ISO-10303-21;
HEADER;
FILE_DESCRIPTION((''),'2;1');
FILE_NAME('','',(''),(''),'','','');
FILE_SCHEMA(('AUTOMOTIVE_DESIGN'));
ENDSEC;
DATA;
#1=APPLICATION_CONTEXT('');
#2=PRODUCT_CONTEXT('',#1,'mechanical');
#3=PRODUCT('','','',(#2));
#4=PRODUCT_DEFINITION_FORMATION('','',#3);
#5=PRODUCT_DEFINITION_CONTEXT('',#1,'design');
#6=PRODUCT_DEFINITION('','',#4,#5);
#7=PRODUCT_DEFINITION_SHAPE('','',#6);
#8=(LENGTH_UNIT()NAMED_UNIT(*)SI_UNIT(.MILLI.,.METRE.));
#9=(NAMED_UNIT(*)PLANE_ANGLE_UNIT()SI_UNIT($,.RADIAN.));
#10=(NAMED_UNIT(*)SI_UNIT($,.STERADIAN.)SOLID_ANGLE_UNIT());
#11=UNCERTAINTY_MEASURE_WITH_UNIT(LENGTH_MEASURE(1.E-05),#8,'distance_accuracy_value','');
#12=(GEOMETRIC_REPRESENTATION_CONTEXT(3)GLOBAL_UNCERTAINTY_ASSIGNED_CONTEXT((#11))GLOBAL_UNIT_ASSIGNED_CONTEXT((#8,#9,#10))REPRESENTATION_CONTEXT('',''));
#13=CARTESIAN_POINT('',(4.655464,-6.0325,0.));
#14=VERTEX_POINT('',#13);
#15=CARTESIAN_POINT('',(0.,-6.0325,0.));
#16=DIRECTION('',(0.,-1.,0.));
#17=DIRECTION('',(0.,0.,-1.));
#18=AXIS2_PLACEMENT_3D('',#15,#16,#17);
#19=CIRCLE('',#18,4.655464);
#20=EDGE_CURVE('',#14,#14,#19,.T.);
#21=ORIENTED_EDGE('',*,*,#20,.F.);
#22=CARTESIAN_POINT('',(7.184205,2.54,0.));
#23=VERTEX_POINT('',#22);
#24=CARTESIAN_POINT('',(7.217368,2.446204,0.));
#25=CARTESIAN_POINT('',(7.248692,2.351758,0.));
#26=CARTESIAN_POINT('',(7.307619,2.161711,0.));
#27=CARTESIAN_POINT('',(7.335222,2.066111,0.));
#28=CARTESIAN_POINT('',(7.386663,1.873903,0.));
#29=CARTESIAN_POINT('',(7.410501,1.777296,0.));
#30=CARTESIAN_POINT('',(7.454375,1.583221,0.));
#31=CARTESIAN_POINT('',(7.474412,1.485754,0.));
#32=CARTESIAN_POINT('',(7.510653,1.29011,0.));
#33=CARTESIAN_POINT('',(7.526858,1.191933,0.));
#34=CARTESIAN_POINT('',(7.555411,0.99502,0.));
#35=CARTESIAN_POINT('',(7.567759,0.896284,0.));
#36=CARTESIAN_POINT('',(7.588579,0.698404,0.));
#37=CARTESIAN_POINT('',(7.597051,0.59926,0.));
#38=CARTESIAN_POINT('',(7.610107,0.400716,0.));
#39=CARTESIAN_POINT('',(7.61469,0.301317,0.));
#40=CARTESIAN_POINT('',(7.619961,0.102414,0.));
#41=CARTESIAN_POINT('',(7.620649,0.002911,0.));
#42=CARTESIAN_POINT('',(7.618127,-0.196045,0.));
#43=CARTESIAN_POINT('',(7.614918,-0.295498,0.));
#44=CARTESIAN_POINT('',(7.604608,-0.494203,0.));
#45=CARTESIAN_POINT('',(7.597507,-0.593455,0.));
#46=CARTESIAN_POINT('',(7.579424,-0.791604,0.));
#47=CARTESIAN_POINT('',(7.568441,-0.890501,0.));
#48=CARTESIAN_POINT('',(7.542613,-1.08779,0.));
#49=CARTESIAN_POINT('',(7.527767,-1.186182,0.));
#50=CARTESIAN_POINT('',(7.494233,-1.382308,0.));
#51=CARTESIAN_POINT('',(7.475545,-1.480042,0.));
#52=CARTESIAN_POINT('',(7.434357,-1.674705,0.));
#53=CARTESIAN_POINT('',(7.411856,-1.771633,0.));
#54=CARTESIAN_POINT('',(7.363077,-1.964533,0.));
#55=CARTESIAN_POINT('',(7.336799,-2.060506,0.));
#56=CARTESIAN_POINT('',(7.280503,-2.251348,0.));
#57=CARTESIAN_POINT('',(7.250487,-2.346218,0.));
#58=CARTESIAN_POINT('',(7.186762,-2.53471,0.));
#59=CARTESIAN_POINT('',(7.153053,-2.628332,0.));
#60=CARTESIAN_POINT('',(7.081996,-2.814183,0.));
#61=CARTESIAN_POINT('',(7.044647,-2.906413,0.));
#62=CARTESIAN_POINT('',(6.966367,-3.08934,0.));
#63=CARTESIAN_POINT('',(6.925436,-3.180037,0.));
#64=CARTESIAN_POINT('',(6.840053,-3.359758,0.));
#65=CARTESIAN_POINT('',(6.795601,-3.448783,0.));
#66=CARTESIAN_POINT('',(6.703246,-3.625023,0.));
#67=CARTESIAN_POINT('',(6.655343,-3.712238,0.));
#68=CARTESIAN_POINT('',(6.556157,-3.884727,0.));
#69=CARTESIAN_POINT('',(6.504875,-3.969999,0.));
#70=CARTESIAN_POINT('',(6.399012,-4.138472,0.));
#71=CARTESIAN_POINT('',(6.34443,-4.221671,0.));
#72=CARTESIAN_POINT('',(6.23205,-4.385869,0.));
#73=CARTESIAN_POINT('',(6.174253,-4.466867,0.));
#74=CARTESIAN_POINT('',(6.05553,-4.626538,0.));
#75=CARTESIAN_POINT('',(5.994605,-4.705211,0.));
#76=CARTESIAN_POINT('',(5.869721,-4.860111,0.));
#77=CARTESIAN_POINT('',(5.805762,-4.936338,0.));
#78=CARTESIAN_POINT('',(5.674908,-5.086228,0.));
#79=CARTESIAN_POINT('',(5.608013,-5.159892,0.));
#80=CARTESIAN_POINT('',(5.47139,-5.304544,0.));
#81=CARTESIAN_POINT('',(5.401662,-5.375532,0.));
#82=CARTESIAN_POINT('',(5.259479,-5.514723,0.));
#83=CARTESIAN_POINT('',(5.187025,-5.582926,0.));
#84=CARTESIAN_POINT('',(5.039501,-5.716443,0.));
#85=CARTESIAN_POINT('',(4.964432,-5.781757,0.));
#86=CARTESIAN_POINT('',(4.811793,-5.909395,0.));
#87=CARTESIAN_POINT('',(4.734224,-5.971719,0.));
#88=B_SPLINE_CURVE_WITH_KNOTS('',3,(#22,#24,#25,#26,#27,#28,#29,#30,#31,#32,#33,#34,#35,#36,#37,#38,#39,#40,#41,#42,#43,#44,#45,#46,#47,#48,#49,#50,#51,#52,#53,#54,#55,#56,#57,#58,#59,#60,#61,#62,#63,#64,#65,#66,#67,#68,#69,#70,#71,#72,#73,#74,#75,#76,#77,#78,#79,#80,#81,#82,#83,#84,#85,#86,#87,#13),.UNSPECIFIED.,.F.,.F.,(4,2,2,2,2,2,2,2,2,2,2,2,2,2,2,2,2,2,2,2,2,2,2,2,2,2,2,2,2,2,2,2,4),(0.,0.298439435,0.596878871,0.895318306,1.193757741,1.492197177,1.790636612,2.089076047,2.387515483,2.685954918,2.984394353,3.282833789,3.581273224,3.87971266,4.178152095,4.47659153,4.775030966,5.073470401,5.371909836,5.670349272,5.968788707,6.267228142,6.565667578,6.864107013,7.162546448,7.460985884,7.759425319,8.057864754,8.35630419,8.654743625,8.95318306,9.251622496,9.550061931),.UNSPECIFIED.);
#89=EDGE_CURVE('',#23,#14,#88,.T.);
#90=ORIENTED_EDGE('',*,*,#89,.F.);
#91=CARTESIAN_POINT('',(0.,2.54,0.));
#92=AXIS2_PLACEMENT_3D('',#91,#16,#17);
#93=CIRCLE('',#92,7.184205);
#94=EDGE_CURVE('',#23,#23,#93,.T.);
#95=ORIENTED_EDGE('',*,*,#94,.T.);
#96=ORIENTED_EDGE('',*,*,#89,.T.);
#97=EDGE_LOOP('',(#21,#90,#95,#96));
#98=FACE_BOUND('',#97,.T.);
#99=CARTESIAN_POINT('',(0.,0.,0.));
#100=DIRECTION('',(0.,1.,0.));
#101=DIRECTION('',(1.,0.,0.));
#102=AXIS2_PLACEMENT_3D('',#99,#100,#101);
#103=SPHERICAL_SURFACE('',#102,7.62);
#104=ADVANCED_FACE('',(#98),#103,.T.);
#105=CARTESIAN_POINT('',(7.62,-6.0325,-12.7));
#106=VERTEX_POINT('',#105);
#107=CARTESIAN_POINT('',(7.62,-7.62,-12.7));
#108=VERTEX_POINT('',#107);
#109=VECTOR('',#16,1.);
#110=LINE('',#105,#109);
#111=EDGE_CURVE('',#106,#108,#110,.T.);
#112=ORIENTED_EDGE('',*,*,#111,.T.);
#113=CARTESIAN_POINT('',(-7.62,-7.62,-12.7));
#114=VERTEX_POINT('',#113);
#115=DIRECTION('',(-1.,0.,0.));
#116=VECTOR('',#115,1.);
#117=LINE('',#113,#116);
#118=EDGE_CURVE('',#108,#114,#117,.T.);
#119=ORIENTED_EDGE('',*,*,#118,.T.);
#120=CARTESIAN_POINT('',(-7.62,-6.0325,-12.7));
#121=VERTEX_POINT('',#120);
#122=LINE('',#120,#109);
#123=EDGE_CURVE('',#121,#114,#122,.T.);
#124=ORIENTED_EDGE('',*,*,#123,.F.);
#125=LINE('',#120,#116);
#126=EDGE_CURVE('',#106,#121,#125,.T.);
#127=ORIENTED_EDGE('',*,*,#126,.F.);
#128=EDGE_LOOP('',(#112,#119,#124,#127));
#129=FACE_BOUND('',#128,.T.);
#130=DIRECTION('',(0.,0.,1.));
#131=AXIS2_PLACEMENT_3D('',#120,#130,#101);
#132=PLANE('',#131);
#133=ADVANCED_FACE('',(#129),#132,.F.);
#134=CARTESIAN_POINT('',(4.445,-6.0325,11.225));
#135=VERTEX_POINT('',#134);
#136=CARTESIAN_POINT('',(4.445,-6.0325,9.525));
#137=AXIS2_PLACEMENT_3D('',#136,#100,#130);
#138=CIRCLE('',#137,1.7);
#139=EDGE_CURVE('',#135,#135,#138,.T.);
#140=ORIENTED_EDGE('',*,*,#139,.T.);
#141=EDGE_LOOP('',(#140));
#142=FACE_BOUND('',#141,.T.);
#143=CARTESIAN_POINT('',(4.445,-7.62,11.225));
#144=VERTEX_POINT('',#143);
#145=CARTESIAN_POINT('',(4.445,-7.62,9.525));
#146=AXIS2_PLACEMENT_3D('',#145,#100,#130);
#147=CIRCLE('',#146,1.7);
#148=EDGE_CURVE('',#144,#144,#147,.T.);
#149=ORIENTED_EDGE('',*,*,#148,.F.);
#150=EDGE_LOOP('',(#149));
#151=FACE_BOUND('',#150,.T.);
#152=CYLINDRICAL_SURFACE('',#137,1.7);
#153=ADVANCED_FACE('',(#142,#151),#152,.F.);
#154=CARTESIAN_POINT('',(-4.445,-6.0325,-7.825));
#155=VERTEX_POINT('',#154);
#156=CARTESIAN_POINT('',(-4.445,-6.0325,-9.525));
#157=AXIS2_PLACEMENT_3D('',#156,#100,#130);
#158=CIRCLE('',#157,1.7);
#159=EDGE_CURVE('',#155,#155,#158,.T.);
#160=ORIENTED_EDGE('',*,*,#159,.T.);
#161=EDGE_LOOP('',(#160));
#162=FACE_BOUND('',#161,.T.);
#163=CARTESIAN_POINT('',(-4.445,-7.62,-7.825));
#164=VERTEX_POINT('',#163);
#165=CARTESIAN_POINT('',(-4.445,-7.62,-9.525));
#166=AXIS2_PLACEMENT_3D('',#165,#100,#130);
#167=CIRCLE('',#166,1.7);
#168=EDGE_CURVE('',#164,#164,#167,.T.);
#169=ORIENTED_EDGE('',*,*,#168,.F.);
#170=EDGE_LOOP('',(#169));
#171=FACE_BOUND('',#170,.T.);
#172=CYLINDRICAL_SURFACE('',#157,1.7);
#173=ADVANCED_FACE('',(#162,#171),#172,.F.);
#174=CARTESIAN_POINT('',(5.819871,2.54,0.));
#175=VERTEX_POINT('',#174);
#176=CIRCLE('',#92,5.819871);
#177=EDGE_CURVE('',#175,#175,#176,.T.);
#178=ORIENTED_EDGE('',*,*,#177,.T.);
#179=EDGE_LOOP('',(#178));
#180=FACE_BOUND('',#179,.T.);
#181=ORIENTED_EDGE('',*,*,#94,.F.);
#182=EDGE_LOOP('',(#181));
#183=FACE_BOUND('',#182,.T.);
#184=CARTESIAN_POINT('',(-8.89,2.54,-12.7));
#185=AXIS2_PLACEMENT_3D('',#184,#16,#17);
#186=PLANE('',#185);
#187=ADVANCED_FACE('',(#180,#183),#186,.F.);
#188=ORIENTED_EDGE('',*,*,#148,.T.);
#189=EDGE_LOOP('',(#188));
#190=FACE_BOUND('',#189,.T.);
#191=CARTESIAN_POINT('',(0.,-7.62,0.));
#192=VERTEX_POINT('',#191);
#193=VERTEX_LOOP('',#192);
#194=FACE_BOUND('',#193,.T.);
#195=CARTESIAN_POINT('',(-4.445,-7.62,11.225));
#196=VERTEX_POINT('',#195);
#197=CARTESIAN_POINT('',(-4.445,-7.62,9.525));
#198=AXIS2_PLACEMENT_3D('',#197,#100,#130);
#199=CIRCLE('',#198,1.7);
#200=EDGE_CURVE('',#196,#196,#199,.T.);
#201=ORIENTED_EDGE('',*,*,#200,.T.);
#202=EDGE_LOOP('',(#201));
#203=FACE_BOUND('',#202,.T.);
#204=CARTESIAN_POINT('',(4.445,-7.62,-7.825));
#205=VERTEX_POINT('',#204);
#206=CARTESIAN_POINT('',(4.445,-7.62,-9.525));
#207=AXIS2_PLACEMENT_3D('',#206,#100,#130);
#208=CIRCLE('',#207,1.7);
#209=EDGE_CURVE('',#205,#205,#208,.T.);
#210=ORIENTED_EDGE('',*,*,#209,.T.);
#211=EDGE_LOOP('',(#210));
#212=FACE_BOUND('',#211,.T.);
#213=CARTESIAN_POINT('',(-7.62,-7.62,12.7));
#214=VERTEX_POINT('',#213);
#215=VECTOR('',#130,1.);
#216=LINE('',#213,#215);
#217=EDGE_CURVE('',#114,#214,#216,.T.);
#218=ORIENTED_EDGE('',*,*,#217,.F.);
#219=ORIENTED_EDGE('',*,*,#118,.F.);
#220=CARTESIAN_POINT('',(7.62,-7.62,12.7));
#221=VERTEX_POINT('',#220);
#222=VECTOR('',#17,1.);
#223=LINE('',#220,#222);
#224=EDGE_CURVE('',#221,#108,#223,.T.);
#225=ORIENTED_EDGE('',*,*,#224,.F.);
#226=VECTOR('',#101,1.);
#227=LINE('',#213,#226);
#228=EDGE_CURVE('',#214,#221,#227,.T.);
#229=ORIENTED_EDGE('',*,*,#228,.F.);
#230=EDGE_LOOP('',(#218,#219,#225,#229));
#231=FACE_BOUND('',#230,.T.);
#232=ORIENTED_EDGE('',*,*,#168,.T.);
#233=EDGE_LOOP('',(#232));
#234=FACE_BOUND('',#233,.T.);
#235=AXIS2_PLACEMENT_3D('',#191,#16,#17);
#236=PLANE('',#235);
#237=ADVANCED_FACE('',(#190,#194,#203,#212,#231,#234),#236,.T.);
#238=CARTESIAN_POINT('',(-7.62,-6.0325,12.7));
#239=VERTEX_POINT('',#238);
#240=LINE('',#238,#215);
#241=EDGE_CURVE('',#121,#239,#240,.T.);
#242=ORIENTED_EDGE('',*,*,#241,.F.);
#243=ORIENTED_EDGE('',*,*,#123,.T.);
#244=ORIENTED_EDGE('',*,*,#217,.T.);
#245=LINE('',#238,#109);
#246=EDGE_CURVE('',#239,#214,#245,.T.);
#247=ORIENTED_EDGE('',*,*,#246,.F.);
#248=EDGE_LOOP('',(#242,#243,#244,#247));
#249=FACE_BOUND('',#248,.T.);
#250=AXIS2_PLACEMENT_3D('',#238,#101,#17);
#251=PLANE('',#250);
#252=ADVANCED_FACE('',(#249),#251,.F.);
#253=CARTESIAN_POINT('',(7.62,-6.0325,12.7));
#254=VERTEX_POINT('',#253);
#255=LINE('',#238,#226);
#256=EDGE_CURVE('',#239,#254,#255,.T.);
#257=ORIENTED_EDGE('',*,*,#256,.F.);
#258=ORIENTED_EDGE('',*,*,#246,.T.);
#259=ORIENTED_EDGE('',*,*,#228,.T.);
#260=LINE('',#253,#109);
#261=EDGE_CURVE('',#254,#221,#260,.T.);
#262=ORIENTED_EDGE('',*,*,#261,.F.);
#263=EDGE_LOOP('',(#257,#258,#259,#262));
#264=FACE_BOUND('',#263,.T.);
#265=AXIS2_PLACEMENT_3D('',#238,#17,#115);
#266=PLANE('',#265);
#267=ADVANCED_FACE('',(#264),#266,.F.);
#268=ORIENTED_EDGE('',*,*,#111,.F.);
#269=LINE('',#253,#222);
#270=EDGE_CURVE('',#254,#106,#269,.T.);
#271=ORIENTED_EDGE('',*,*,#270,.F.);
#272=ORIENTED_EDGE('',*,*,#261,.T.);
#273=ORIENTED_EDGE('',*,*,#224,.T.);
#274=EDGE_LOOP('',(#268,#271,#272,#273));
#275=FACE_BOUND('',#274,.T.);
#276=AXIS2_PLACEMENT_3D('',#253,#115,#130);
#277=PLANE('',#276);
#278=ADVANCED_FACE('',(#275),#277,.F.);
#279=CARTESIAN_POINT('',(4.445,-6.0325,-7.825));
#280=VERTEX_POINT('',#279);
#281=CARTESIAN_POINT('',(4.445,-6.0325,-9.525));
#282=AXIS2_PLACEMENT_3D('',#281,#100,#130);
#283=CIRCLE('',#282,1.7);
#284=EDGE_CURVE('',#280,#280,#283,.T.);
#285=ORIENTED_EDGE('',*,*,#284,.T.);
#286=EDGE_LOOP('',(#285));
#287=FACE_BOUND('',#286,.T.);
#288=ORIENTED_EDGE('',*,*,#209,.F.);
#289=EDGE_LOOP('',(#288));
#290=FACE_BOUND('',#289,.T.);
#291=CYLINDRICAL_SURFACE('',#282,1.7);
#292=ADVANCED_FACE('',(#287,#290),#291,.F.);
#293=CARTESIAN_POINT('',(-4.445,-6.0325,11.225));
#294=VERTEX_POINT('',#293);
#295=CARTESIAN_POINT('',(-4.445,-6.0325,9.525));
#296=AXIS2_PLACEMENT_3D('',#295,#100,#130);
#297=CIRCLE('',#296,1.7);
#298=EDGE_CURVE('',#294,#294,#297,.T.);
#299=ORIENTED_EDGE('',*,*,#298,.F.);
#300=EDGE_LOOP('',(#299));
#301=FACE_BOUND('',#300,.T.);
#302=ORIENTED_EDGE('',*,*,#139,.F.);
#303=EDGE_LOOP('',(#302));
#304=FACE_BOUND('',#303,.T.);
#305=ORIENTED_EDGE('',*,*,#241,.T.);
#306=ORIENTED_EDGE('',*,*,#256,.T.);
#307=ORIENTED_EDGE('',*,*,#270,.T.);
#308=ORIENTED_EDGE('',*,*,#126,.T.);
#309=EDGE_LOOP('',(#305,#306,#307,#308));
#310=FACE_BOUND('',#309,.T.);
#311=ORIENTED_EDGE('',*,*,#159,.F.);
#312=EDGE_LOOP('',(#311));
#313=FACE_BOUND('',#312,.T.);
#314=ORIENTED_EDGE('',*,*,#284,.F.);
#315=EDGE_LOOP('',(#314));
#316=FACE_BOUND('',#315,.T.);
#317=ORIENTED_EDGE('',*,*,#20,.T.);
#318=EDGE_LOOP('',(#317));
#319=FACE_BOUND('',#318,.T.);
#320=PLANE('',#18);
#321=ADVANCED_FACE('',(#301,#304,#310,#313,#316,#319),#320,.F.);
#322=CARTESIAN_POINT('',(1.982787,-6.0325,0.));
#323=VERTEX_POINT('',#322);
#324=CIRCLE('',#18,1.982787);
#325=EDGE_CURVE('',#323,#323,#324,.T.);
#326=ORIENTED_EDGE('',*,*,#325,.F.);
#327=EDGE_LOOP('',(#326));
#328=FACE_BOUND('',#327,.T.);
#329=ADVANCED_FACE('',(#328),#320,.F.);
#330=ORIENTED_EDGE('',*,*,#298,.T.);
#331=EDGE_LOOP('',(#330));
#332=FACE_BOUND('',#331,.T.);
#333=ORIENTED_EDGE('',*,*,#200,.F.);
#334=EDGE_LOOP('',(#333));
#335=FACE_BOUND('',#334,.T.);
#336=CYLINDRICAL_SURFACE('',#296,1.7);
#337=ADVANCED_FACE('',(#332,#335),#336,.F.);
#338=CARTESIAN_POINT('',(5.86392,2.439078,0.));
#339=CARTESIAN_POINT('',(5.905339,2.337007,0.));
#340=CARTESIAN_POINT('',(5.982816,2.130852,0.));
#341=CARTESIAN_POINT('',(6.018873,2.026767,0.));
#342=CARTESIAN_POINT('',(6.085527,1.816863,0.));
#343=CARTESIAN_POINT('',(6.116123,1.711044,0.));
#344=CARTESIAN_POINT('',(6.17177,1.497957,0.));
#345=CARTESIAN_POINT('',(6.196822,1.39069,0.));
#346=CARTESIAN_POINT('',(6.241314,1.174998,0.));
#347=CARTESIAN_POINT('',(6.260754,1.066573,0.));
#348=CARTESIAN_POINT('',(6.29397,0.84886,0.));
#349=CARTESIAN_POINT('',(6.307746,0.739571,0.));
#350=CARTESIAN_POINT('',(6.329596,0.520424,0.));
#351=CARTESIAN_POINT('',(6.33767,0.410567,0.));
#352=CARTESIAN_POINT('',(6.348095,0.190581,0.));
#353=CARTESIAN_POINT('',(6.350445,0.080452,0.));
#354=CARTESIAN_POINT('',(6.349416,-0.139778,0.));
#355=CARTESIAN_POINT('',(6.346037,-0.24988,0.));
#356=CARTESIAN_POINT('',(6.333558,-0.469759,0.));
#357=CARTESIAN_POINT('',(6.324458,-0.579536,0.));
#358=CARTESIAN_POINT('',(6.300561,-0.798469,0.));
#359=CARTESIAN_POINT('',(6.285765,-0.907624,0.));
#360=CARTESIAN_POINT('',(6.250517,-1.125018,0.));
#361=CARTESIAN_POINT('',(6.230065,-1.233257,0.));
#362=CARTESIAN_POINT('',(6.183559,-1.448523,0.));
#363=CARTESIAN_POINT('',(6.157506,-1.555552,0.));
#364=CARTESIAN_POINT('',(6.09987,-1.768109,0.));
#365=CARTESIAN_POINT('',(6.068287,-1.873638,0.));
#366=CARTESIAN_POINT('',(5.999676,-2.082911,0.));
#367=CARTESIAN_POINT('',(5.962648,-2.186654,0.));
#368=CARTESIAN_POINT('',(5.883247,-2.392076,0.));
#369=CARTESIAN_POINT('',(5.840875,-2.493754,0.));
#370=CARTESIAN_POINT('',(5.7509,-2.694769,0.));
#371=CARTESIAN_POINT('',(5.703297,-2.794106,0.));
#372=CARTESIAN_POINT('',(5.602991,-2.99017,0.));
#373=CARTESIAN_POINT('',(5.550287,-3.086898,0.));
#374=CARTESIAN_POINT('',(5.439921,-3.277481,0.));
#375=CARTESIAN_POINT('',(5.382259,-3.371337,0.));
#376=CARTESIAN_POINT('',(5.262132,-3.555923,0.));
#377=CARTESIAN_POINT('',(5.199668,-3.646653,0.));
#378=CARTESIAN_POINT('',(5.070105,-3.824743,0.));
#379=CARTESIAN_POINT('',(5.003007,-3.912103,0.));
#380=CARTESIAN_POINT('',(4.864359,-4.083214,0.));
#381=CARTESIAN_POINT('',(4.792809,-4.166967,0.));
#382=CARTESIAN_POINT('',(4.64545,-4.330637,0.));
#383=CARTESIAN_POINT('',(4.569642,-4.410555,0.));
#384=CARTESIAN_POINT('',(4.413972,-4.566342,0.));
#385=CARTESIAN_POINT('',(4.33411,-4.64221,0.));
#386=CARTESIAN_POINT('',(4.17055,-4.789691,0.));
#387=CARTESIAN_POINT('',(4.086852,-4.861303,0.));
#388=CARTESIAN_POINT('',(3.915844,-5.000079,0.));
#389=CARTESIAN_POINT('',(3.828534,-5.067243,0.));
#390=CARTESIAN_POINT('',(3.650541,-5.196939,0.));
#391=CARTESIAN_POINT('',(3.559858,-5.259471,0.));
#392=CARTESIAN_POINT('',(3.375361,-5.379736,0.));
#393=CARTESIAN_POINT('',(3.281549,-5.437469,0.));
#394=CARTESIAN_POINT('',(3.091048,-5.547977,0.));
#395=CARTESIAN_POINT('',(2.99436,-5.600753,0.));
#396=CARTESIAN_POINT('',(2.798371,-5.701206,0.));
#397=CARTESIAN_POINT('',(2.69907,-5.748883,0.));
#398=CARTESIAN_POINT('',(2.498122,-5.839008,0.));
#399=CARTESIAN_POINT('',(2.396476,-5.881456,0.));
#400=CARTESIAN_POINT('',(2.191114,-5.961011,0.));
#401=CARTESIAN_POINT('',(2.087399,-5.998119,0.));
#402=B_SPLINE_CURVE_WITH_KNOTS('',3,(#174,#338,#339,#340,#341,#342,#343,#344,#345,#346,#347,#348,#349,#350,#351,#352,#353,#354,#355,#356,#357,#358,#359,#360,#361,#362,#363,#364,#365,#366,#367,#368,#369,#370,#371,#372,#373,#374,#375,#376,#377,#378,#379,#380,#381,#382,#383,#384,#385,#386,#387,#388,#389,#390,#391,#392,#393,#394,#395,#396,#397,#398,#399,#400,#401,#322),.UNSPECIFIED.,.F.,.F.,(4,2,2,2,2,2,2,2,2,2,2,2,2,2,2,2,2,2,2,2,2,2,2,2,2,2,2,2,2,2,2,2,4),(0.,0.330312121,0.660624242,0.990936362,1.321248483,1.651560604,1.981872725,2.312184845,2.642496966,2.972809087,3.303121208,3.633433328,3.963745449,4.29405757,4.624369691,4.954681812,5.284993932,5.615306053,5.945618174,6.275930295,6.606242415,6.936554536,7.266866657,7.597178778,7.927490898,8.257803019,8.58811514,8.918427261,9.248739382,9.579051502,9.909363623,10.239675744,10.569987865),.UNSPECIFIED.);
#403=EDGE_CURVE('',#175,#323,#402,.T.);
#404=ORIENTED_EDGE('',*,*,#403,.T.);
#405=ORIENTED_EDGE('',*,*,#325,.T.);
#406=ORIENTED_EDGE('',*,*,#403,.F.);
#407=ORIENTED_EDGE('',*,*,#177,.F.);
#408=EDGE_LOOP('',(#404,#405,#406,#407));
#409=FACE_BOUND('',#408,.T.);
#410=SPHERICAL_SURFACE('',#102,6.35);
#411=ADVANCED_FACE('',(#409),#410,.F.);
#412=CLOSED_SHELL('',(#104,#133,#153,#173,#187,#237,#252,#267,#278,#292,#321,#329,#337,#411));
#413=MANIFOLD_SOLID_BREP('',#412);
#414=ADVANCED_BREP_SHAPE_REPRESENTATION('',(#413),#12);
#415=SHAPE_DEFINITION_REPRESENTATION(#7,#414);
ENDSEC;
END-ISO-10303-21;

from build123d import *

# Parameters (mm, degrees)
SKETCH2_W            = 17.78
SKETCH2_H            = 6.35
CUT_EXTRUDE1_DEPTH   = 12.7
SHELL1_T             = -1.27
SKETCH3_W            = 15.24
SKETCH3_H            = 25.4
BOSS_EXTRUDE1_DEPTH  = 1.5875
M3_CLEARANCE_HOLE1_D = 3.4


with BuildPart() as part:
    # Sketch1 → Revolve1 (revolve)
    with BuildSketch(Plane.XY):
        with BuildLine():
            Line((0, 7.62), (0, -7.62))
            ThreePointArc((0, -7.62), (7.62, 0), (0, 7.62))
        make_face()
    revolve(axis=Axis((0, 7.62, 0), (0, -1, 0)))

    # Sketch2 → Cut-Extrude1 (cut, symmetric)
    with BuildSketch(Plane.XY):
        with Locations((0, 5.715)):
            Rectangle(SKETCH2_W, SKETCH2_H)
    extrude(amount=CUT_EXTRUDE1_DEPTH, both=True, mode=Mode.SUBTRACT)

    # Shell1
    shell1_openings = [part.faces().sort_by_distance(p)[0] for p in [
        (0, 2.54, 0),
    ]]
    offset(amount=SHELL1_T, openings=shell1_openings, kind=Kind.INTERSECTION)

    # Sketch3 → Boss-Extrude1 (add)
    with BuildSketch(Plane(origin=(0, -7.62, 0), x_dir=(1, 0, 0), z_dir=(0, 1, 0))):
        Rectangle(SKETCH3_W, SKETCH3_H)
    extrude(amount=BOSS_EXTRUDE1_DEPTH)

    # M3 Clearance Hole1 (through all)
    with Locations(Plane(origin=(0, -6.0325, 0), x_dir=(1, 0, 0), z_dir=(0, 1, 0))):
        with Locations((-4.445, -9.525), (-4.445, 9.525), (4.445, 9.525), (4.445, -9.525)):
            Hole(M3_CLEARANCE_HOLE1_D / 2)


solid = part.part
